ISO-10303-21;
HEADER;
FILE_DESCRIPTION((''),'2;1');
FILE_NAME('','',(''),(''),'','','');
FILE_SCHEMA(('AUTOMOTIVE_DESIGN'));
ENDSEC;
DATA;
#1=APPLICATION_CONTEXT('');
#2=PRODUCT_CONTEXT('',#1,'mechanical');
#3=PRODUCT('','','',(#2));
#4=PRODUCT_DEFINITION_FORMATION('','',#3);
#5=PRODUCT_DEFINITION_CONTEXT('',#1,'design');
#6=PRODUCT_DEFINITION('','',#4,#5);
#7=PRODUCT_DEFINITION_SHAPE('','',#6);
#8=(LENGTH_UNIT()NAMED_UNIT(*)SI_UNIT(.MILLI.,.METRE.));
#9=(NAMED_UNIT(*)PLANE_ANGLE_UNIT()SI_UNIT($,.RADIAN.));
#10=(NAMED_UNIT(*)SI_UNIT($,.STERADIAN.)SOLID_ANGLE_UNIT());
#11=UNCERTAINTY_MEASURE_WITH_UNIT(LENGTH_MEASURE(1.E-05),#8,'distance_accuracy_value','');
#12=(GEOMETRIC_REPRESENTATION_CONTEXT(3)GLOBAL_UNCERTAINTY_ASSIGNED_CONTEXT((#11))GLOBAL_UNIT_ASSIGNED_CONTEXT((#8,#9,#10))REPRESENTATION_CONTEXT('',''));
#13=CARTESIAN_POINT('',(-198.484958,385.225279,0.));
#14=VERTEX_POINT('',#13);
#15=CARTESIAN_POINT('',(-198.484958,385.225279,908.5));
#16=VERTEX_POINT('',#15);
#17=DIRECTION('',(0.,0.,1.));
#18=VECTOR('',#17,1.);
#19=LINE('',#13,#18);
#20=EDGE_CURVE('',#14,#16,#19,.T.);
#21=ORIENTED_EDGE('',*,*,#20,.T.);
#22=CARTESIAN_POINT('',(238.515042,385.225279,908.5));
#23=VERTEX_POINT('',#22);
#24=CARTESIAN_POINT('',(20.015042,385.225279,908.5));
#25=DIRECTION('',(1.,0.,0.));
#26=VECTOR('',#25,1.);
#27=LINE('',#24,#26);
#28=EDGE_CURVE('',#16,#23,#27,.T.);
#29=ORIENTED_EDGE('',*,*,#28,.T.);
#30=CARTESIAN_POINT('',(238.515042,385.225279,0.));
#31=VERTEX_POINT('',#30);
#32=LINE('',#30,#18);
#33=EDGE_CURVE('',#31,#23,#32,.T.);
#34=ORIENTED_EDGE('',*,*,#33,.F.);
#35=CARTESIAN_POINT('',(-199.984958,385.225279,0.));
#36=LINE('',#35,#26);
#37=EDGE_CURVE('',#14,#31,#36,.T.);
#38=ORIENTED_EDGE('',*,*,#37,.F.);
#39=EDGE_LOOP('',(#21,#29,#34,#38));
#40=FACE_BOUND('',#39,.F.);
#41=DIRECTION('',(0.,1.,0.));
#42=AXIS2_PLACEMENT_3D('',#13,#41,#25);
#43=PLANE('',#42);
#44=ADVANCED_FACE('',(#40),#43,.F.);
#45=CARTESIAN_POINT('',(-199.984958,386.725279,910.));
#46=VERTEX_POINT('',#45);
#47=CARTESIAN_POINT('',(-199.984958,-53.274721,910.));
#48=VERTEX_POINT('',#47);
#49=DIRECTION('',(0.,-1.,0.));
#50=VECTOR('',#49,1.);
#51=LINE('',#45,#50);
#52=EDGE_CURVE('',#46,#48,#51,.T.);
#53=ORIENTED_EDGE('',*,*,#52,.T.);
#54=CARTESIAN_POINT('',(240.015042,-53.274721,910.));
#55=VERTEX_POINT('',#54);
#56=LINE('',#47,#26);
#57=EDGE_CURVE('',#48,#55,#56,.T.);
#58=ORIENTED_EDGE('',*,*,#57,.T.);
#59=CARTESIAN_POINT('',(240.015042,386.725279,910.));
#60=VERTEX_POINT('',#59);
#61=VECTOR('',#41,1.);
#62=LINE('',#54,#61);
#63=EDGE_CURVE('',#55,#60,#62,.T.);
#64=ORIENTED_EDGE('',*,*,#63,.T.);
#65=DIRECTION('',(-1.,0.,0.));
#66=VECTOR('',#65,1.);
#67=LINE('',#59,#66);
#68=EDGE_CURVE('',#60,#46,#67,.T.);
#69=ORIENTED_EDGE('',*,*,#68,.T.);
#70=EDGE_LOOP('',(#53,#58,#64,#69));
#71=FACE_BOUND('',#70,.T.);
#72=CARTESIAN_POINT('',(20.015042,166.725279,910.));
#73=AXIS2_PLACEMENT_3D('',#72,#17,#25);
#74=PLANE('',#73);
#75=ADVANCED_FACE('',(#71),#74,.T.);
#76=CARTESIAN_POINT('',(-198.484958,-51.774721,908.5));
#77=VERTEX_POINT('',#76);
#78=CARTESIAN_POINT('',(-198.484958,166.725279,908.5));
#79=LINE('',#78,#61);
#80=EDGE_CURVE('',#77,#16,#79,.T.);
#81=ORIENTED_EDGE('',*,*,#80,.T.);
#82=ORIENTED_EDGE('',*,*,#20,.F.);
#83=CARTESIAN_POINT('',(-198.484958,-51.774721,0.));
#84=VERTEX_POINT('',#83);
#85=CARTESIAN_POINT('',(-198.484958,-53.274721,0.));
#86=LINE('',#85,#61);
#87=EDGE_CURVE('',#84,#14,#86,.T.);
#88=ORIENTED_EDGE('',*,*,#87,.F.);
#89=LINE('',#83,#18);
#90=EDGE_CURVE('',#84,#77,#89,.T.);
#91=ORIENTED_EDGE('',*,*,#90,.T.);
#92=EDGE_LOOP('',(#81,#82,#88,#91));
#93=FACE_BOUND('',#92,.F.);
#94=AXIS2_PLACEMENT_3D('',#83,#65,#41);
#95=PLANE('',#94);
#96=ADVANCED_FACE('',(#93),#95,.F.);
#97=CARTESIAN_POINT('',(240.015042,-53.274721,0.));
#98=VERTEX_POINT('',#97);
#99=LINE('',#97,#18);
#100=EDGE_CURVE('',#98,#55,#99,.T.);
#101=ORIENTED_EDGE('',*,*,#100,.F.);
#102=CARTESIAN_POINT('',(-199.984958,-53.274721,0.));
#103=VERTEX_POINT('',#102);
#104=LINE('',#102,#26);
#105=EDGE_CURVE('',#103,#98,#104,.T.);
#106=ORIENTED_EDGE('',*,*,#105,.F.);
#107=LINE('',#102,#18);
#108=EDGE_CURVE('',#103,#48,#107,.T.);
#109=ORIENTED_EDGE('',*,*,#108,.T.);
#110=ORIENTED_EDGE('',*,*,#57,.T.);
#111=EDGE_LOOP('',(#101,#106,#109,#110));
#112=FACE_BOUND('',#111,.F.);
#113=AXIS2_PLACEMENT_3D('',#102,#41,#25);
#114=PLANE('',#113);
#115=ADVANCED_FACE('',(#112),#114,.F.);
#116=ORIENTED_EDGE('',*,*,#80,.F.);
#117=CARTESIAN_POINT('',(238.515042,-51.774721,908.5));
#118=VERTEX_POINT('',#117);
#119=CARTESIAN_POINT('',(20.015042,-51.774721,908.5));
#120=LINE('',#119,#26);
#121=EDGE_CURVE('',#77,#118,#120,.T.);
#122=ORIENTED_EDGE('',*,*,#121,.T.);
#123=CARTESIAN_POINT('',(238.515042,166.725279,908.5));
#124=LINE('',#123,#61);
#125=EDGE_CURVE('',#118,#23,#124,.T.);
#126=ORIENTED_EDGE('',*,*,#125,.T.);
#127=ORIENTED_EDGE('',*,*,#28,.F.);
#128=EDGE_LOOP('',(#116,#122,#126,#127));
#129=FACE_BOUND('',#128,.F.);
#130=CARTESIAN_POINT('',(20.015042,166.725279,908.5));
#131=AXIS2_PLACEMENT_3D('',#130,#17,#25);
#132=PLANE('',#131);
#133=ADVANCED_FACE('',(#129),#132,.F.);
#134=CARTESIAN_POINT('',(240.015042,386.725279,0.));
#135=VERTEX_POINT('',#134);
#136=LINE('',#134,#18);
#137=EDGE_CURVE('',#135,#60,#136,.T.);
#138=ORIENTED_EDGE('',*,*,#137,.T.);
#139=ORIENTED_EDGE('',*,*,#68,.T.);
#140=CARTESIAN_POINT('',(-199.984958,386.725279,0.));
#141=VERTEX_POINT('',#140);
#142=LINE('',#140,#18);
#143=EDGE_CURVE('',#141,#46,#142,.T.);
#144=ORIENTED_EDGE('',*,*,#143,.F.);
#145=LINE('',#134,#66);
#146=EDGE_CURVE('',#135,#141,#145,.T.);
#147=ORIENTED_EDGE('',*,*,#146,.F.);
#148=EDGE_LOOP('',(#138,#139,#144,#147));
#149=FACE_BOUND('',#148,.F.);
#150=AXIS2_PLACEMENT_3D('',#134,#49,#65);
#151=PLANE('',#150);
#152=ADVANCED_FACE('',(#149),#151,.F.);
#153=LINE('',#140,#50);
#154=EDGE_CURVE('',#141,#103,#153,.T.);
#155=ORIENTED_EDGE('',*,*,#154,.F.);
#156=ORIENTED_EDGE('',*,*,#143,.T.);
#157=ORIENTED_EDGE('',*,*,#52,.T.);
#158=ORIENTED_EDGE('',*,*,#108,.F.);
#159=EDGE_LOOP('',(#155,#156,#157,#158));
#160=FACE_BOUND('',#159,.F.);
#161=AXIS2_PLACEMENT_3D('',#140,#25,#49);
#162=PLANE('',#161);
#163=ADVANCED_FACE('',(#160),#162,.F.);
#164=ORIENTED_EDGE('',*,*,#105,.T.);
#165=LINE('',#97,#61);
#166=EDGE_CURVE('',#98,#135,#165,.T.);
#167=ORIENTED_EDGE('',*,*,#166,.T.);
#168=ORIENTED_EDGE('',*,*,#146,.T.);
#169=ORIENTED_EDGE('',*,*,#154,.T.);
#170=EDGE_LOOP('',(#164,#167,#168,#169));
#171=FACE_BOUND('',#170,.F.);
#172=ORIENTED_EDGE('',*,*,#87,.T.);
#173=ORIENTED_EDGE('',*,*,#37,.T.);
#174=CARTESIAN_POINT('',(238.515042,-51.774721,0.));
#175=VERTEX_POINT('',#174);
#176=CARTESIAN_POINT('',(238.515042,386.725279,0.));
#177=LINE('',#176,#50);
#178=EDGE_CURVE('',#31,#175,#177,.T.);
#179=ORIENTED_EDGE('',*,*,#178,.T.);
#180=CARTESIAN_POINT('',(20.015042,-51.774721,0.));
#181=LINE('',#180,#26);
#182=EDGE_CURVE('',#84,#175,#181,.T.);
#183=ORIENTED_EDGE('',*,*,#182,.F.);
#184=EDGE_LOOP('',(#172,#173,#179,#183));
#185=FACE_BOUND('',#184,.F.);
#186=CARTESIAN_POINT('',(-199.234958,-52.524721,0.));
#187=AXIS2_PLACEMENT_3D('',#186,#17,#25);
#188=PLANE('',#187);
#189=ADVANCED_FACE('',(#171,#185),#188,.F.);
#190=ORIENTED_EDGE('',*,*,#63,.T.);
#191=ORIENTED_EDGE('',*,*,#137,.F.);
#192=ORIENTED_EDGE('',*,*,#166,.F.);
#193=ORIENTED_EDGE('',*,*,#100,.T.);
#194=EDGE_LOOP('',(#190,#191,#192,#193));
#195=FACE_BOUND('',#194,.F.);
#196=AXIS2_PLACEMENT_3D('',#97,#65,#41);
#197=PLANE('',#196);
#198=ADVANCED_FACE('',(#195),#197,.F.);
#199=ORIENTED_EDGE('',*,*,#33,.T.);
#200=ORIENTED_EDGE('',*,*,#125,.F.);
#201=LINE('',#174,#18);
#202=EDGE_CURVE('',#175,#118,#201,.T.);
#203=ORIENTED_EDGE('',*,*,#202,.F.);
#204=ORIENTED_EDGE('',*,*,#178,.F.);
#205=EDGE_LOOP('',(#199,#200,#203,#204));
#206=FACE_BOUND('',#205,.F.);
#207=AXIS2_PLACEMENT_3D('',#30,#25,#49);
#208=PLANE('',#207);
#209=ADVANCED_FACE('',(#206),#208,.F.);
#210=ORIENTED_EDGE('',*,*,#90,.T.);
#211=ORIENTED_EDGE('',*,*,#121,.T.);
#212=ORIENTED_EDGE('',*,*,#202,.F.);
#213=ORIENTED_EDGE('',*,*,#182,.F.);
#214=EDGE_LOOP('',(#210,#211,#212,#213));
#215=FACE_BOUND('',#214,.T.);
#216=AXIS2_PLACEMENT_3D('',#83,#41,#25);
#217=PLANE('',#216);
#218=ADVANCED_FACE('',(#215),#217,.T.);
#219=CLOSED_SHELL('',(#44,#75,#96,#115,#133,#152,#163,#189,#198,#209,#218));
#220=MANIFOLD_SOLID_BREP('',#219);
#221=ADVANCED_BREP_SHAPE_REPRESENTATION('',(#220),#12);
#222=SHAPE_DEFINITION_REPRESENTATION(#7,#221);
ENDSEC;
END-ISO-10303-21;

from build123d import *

# Parameters (mm, degrees)
F0_W     = 1.5
F0_H     = 1.5
F0_H_2   = 437
F0_W_2   = 437
F1_DEPTH = 910
F2_W     = 437
F2_H     = 437
F3_DEPTH = 1.5


with BuildPart() as f1:
    # F0 (on Top) → F1 (new body)
    with BuildSketch(Plane.XY):
        with Locations((-199.234958, -52.524721)):
            Rectangle(F0_W, F0_H)
        with Locations((239.265042, 385.975279)):
            Rectangle(F0_W, F0_H)
        Polygon((238.515042, -51.774721), (238.515042, -53.274721), (240.015042, -53.274721), (240.015042, 385.225279), (238.515042, 385.225279), align=None)
        Polygon((-199.984958, 386.725279), (-199.984958, 385.225279), (-198.484958, 385.225279), (238.515042, 385.225279), (238.515042, 386.725279), align=None)
        with Locations((-199.234958, 166.725279)):
            Rectangle(F0_W, F0_H_2)
        with Locations((20.015042, -52.524721)):
            Rectangle(F0_W_2, F0_H)
    extrude(amount=F1_DEPTH)

    # F2 (on face) → F3 (join)
    with BuildSketch(Plane.XY.offset(910)):
        with Locations((20.015042, 166.725279)):
            Rectangle(F2_W, F2_H)
    extrude(amount=-F3_DEPTH)


solid = f1.part
